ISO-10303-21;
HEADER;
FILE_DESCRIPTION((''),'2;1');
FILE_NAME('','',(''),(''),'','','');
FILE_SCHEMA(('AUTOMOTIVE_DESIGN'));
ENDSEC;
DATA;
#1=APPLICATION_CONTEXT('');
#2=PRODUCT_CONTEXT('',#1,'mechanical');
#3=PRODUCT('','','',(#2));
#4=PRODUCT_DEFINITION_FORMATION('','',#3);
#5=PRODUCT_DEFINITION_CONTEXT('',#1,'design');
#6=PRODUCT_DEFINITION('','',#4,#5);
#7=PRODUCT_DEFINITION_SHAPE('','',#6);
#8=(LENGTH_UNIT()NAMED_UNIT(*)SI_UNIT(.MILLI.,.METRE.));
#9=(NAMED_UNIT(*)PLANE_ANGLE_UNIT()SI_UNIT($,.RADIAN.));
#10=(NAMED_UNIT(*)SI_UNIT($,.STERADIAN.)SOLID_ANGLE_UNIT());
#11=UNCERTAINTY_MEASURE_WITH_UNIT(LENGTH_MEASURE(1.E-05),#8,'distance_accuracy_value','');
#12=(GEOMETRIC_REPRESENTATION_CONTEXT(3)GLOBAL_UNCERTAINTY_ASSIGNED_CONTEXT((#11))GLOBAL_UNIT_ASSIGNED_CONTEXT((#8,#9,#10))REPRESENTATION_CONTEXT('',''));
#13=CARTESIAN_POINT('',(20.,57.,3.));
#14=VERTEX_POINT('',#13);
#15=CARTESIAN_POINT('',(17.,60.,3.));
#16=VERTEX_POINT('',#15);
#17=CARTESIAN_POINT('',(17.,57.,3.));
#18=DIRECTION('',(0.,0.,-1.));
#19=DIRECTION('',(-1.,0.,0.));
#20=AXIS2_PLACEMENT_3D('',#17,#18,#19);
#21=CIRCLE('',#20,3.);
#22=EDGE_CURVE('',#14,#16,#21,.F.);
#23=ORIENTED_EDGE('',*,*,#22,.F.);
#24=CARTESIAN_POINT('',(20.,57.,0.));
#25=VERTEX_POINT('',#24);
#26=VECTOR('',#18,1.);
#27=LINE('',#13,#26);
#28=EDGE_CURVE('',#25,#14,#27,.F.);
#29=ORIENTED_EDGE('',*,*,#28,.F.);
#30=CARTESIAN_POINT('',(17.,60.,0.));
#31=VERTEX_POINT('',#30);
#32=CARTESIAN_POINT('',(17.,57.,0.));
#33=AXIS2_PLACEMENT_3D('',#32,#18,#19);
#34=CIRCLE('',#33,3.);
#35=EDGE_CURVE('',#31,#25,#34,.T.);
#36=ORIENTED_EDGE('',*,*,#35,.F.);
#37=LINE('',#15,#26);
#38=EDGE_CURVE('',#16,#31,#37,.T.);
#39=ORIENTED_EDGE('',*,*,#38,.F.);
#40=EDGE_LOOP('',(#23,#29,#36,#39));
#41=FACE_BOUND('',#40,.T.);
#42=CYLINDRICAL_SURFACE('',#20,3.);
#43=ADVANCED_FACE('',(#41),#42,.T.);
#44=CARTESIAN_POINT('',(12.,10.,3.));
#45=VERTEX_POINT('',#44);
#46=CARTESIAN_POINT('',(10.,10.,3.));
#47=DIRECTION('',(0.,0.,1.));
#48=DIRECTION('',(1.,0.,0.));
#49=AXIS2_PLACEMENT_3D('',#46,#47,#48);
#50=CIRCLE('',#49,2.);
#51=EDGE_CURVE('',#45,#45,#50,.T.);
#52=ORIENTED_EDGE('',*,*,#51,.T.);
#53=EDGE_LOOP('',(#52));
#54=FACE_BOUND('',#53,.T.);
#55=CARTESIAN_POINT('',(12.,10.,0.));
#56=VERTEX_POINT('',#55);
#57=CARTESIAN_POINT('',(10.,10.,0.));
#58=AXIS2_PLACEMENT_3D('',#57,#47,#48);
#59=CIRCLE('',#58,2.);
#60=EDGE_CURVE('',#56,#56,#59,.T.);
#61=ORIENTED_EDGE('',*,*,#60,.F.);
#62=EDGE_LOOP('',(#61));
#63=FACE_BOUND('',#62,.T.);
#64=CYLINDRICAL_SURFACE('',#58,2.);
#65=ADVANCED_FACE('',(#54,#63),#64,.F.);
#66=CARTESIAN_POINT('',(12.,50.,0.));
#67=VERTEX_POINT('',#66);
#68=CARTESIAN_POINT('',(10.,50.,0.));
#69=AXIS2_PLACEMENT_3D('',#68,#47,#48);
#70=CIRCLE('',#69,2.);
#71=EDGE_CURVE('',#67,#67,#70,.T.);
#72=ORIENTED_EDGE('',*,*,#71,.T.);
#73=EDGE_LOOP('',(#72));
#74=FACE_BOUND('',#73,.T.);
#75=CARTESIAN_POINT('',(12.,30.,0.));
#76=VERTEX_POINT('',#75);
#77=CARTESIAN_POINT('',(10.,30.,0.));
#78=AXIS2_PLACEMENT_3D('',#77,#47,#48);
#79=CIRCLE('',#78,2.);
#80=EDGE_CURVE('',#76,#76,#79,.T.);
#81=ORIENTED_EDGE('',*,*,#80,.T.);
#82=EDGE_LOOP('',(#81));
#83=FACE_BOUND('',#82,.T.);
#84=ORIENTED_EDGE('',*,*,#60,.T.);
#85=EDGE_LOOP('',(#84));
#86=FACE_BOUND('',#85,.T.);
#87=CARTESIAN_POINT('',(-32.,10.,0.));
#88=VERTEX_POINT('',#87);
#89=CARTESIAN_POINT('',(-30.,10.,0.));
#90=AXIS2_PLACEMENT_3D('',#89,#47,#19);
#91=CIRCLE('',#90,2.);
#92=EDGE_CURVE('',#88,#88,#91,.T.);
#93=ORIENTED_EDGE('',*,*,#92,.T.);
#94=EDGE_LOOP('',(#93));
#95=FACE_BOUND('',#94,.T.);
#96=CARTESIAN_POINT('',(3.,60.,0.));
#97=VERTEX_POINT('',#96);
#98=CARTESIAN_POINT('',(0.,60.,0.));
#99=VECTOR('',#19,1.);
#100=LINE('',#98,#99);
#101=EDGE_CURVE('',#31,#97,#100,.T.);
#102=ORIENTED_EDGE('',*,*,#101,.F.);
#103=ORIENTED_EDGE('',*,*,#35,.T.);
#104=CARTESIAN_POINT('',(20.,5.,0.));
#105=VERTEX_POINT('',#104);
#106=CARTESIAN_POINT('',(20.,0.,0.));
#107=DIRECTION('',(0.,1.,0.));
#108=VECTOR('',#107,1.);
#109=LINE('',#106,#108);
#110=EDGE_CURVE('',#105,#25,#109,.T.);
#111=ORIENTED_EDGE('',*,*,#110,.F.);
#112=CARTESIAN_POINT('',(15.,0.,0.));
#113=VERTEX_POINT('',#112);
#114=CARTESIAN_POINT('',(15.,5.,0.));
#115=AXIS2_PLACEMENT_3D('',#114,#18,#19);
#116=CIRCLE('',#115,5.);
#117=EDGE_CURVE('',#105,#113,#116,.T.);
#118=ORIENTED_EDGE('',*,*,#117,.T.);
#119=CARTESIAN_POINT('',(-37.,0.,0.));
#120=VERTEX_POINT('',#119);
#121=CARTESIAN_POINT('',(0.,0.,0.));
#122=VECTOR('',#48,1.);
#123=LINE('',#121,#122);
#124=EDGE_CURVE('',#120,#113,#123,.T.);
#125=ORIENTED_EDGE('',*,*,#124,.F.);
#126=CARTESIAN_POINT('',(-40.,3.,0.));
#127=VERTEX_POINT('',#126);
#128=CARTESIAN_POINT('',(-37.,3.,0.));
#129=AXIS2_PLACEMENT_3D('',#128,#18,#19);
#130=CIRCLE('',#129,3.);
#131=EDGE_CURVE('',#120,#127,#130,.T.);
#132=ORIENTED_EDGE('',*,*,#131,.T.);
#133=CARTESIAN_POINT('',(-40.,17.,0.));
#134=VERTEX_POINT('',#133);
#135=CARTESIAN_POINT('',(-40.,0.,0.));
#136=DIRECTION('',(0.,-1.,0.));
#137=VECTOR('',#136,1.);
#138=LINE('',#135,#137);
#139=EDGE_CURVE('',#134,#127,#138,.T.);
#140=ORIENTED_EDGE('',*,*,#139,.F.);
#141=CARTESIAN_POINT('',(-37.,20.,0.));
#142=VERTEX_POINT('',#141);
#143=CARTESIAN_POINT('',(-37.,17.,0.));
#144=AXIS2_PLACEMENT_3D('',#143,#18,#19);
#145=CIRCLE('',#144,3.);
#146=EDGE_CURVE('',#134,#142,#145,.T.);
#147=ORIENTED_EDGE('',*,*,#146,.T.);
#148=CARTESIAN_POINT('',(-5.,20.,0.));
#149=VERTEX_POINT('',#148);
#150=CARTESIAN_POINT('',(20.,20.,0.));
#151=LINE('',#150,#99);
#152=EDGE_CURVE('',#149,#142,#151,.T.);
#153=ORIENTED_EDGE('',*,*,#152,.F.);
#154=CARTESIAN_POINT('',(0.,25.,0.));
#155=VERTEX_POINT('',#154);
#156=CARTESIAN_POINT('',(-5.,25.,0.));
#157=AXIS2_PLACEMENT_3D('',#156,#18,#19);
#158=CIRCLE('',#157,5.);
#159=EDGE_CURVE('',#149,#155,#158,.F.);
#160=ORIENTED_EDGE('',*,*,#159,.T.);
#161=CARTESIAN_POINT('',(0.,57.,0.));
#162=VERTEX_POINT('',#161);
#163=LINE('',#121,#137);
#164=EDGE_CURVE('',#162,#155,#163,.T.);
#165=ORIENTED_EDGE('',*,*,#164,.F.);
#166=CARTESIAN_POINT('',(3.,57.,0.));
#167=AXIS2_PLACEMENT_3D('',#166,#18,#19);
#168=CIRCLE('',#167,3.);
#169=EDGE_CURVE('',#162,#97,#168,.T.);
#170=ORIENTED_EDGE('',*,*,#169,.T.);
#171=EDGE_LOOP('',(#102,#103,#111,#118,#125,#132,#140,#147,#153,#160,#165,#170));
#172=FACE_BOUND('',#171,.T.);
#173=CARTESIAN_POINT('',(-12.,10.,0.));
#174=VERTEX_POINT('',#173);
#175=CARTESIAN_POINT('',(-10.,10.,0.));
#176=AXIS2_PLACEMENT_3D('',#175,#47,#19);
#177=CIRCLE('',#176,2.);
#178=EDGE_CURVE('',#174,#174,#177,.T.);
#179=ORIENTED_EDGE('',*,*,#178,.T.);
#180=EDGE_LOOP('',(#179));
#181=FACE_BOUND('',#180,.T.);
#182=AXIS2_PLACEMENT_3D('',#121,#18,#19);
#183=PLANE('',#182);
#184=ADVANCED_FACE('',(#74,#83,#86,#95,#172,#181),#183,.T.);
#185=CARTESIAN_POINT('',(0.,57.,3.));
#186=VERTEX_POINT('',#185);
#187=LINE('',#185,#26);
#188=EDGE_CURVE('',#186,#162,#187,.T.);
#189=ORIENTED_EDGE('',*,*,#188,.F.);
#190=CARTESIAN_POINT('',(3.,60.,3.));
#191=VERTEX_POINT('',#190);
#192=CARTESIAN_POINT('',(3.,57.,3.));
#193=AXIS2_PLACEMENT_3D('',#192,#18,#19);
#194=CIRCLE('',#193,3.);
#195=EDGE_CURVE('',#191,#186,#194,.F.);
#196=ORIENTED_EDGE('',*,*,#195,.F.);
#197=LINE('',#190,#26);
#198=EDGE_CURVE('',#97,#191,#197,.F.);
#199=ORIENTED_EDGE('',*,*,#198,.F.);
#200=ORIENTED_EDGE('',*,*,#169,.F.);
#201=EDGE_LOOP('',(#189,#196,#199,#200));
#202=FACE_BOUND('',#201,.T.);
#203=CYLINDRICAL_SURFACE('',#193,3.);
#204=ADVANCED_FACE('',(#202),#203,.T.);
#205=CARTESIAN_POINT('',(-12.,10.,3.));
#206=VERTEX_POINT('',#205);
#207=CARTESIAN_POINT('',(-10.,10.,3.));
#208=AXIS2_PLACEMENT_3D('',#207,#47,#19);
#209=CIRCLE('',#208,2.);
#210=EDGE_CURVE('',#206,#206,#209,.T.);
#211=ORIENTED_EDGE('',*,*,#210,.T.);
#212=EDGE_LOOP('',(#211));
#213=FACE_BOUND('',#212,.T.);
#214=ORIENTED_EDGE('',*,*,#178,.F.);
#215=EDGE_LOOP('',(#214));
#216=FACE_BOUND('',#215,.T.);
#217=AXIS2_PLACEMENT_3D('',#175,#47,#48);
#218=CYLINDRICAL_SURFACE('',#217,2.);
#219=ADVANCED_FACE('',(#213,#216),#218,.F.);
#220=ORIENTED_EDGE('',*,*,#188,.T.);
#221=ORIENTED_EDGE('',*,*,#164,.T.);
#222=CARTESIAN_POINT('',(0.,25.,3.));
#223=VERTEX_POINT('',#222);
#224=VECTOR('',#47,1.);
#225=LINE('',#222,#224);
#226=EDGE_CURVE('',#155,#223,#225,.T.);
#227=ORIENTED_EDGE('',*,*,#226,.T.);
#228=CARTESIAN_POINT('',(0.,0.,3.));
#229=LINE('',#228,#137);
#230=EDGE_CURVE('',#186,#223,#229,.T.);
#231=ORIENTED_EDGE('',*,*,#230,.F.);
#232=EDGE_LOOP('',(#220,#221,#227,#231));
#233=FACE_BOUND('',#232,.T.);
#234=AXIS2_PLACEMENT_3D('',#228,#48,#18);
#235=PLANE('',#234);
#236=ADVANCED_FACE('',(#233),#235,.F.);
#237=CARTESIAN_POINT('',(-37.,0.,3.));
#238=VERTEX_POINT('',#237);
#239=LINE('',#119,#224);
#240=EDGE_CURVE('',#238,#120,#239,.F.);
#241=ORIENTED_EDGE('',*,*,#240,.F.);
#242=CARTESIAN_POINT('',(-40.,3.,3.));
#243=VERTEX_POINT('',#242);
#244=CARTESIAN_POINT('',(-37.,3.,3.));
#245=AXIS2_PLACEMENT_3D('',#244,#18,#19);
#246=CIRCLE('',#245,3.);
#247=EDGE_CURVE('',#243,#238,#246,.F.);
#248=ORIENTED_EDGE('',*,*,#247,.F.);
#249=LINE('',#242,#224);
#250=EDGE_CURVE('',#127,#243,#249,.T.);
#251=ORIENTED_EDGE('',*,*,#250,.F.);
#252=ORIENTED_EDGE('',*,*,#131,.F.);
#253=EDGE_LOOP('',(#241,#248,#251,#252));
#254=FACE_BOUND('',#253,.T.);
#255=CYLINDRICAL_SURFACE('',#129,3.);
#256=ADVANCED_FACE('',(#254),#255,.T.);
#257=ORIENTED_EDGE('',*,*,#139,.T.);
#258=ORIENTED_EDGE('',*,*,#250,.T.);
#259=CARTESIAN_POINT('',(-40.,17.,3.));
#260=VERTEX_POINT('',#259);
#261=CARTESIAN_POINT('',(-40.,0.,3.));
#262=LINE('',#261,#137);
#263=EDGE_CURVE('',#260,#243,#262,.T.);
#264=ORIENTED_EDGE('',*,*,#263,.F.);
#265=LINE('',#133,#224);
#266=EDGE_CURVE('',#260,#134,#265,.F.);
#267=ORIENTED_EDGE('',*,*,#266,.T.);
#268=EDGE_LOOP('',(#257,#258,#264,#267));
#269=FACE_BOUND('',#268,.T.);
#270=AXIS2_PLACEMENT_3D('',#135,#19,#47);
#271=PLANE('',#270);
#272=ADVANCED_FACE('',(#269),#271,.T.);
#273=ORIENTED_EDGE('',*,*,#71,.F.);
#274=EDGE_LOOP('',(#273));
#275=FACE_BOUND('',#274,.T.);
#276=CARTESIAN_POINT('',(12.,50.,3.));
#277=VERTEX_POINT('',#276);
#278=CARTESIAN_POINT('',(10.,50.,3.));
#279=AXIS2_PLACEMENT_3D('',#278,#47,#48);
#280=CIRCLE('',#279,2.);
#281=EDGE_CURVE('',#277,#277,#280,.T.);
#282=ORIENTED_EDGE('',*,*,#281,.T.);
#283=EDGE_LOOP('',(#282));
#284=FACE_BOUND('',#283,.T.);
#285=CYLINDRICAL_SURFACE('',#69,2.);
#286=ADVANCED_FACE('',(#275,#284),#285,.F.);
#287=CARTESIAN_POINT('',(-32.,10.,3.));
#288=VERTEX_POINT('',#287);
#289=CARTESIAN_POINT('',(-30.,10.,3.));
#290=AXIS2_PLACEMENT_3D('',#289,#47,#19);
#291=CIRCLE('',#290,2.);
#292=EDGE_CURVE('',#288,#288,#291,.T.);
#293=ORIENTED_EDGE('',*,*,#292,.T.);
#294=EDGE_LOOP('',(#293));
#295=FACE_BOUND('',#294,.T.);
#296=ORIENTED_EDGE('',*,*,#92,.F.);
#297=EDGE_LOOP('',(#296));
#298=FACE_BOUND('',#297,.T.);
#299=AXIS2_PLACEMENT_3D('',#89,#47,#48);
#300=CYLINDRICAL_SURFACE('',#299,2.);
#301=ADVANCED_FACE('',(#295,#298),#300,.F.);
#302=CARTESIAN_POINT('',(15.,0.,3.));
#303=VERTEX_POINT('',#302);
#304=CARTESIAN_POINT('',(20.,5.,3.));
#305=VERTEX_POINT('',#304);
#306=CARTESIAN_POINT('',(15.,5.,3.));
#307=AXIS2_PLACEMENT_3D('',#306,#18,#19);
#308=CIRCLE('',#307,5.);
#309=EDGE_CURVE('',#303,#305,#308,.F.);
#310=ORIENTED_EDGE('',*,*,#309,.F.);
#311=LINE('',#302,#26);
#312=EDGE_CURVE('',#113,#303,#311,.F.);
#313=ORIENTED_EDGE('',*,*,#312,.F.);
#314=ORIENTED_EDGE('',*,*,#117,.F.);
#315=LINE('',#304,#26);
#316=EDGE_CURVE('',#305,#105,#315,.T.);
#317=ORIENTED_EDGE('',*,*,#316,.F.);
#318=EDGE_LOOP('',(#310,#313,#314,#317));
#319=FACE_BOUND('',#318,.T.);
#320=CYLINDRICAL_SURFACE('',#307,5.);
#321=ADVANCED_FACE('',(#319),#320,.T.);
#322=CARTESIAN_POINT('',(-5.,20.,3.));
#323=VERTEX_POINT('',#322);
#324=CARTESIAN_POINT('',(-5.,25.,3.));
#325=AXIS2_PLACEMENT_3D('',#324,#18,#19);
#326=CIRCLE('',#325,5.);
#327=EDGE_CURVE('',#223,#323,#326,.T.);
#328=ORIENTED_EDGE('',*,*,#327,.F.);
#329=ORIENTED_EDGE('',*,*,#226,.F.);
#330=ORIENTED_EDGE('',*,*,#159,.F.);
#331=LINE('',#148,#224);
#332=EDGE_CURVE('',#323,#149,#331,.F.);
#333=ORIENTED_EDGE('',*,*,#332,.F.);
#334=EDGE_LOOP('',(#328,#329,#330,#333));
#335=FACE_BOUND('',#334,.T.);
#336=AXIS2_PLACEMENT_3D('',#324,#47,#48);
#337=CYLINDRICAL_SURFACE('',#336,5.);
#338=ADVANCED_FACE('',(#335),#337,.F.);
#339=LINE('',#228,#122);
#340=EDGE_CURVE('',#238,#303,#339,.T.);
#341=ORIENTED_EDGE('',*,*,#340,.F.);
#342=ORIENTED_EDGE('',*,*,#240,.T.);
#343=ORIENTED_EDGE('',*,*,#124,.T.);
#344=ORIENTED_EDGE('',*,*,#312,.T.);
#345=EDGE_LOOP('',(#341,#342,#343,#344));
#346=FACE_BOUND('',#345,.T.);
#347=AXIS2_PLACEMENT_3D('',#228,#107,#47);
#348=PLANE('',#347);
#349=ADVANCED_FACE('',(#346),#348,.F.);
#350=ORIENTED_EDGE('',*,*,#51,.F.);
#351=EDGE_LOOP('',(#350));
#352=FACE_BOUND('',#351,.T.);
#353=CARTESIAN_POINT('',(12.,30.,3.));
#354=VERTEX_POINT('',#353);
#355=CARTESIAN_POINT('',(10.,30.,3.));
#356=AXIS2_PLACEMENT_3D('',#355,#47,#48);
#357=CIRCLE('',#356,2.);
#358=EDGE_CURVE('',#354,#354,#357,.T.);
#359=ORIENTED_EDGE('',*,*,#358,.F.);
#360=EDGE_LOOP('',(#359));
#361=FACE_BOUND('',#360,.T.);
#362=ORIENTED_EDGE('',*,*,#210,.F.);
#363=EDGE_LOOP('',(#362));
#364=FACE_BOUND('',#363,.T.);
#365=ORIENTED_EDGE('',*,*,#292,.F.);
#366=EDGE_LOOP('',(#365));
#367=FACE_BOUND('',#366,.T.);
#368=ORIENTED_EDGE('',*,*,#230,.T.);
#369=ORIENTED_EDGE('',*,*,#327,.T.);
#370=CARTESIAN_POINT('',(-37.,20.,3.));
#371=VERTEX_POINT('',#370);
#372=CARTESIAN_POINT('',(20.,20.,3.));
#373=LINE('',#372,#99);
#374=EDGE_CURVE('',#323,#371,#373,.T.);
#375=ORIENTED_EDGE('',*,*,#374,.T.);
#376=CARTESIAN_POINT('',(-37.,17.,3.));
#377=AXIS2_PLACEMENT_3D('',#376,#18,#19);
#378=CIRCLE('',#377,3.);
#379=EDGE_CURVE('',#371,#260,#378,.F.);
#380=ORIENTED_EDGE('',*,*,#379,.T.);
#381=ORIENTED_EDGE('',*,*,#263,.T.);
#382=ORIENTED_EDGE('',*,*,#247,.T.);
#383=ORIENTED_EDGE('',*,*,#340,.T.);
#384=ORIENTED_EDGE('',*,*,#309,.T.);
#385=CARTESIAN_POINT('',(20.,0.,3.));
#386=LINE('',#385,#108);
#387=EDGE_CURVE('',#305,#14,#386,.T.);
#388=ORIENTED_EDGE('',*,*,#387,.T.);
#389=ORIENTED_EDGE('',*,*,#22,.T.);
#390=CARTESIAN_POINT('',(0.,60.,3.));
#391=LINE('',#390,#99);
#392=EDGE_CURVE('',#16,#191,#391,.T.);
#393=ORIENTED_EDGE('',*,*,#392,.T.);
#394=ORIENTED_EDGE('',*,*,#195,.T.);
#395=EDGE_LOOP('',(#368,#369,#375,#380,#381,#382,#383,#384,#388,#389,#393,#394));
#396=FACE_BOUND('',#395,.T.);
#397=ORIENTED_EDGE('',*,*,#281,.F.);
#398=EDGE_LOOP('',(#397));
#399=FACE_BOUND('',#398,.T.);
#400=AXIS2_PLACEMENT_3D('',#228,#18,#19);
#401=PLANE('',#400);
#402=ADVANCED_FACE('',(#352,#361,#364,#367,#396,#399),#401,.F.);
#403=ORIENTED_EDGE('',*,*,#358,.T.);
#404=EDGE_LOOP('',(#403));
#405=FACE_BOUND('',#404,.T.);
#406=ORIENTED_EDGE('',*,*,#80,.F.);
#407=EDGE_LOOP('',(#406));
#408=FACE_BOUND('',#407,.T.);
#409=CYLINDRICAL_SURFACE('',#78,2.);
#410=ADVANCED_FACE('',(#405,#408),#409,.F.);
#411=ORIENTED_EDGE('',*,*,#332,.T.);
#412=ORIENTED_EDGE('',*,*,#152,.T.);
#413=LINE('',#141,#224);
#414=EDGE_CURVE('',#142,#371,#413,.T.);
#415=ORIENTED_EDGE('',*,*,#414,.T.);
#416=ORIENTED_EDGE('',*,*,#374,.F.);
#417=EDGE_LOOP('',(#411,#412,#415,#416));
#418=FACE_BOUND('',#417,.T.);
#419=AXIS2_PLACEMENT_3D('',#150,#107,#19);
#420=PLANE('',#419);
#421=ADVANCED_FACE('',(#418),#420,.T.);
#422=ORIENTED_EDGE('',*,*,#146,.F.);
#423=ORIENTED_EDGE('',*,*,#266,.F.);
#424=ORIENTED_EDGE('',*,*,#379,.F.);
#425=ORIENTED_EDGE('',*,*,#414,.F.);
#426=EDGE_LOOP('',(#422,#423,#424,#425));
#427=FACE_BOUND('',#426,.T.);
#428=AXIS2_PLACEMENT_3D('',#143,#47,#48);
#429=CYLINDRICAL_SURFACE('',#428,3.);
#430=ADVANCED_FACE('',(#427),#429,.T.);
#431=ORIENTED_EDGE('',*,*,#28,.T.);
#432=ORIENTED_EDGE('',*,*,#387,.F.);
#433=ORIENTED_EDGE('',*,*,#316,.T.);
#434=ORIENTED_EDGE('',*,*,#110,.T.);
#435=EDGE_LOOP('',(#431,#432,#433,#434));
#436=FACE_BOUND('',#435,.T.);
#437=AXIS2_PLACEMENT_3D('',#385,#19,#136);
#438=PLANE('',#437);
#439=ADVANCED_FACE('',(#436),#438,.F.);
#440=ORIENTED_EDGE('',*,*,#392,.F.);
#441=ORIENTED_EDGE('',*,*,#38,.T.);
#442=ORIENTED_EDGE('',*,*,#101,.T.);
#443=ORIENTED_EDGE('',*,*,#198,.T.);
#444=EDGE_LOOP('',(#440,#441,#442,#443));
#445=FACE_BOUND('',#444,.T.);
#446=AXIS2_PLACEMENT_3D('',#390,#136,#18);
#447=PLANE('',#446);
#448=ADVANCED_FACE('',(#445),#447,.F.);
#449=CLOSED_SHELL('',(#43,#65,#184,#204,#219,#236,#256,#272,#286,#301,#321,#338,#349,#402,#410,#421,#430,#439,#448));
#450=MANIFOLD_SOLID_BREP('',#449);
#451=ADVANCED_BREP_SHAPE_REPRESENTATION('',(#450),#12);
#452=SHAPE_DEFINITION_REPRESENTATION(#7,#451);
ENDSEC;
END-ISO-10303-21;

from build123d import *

# Parameters (mm, degrees)
SKETCH_1_W          = 20
SKETCH_1_H          = 60
EXTRUDE_1_DEPTH     = 3
SKETCH_2_W          = 60
SKETCH_2_H          = 20
EXTRUDE_2_DEPTH     = 3
SKETCH_3_R          = 2
CUT_EXTRUDE_1_DEPTH = 3
FILLET_3_R          = 5
FILLET_2_R          = 3


with BuildPart() as part:
    # 草图1 → 凸台-拉伸1 (new body)
    with BuildSketch(Plane.XY):
        with Locations((10, 30)):
            Rectangle(SKETCH_1_W, SKETCH_1_H)
    extrude(amount=EXTRUDE_1_DEPTH)

    # 草图2 → 凸台-拉伸2 (add)
    with BuildSketch(Plane.XY.offset(3)):
        with Locations((-10, 10)):
            Rectangle(SKETCH_2_W, SKETCH_2_H)
    extrude(amount=-EXTRUDE_2_DEPTH)

    # 草图3 → 切除-拉伸1 (cut)
    with BuildSketch(Plane.XY.offset(3)):
        with Locations((10, 10)):
            Circle(SKETCH_3_R)
        with Locations((10, 30)):
            Circle(SKETCH_3_R)
        with Locations((10, 50)):
            Circle(SKETCH_3_R)
        with Locations(Location((-10, 10, 0), (0, 0, 180))):
            Circle(SKETCH_3_R)
        with Locations(Location((-30, 10, 0), (0, 0, 180))):
            Circle(SKETCH_3_R)
    extrude(amount=-CUT_EXTRUDE_1_DEPTH, mode=Mode.SUBTRACT)

    # 圆角3
    fillet_3_edges = [part.edges().sort_by_distance(p)[0] for p in [
        (0, 20, 1.5),
        (20, 0, 1.5),
    ]]
    fillet(fillet_3_edges, radius=FILLET_3_R)

    # 圆角2
    fillet_2_edges = [part.edges().sort_by_distance(p)[0] for p in [
        (-40, 20, 1.5),
        (-40, 0, 1.5),
        (0, 60, 1.5),
        (20, 60, 1.5),
    ]]
    fillet(fillet_2_edges, radius=FILLET_2_R)


solid = part.part
